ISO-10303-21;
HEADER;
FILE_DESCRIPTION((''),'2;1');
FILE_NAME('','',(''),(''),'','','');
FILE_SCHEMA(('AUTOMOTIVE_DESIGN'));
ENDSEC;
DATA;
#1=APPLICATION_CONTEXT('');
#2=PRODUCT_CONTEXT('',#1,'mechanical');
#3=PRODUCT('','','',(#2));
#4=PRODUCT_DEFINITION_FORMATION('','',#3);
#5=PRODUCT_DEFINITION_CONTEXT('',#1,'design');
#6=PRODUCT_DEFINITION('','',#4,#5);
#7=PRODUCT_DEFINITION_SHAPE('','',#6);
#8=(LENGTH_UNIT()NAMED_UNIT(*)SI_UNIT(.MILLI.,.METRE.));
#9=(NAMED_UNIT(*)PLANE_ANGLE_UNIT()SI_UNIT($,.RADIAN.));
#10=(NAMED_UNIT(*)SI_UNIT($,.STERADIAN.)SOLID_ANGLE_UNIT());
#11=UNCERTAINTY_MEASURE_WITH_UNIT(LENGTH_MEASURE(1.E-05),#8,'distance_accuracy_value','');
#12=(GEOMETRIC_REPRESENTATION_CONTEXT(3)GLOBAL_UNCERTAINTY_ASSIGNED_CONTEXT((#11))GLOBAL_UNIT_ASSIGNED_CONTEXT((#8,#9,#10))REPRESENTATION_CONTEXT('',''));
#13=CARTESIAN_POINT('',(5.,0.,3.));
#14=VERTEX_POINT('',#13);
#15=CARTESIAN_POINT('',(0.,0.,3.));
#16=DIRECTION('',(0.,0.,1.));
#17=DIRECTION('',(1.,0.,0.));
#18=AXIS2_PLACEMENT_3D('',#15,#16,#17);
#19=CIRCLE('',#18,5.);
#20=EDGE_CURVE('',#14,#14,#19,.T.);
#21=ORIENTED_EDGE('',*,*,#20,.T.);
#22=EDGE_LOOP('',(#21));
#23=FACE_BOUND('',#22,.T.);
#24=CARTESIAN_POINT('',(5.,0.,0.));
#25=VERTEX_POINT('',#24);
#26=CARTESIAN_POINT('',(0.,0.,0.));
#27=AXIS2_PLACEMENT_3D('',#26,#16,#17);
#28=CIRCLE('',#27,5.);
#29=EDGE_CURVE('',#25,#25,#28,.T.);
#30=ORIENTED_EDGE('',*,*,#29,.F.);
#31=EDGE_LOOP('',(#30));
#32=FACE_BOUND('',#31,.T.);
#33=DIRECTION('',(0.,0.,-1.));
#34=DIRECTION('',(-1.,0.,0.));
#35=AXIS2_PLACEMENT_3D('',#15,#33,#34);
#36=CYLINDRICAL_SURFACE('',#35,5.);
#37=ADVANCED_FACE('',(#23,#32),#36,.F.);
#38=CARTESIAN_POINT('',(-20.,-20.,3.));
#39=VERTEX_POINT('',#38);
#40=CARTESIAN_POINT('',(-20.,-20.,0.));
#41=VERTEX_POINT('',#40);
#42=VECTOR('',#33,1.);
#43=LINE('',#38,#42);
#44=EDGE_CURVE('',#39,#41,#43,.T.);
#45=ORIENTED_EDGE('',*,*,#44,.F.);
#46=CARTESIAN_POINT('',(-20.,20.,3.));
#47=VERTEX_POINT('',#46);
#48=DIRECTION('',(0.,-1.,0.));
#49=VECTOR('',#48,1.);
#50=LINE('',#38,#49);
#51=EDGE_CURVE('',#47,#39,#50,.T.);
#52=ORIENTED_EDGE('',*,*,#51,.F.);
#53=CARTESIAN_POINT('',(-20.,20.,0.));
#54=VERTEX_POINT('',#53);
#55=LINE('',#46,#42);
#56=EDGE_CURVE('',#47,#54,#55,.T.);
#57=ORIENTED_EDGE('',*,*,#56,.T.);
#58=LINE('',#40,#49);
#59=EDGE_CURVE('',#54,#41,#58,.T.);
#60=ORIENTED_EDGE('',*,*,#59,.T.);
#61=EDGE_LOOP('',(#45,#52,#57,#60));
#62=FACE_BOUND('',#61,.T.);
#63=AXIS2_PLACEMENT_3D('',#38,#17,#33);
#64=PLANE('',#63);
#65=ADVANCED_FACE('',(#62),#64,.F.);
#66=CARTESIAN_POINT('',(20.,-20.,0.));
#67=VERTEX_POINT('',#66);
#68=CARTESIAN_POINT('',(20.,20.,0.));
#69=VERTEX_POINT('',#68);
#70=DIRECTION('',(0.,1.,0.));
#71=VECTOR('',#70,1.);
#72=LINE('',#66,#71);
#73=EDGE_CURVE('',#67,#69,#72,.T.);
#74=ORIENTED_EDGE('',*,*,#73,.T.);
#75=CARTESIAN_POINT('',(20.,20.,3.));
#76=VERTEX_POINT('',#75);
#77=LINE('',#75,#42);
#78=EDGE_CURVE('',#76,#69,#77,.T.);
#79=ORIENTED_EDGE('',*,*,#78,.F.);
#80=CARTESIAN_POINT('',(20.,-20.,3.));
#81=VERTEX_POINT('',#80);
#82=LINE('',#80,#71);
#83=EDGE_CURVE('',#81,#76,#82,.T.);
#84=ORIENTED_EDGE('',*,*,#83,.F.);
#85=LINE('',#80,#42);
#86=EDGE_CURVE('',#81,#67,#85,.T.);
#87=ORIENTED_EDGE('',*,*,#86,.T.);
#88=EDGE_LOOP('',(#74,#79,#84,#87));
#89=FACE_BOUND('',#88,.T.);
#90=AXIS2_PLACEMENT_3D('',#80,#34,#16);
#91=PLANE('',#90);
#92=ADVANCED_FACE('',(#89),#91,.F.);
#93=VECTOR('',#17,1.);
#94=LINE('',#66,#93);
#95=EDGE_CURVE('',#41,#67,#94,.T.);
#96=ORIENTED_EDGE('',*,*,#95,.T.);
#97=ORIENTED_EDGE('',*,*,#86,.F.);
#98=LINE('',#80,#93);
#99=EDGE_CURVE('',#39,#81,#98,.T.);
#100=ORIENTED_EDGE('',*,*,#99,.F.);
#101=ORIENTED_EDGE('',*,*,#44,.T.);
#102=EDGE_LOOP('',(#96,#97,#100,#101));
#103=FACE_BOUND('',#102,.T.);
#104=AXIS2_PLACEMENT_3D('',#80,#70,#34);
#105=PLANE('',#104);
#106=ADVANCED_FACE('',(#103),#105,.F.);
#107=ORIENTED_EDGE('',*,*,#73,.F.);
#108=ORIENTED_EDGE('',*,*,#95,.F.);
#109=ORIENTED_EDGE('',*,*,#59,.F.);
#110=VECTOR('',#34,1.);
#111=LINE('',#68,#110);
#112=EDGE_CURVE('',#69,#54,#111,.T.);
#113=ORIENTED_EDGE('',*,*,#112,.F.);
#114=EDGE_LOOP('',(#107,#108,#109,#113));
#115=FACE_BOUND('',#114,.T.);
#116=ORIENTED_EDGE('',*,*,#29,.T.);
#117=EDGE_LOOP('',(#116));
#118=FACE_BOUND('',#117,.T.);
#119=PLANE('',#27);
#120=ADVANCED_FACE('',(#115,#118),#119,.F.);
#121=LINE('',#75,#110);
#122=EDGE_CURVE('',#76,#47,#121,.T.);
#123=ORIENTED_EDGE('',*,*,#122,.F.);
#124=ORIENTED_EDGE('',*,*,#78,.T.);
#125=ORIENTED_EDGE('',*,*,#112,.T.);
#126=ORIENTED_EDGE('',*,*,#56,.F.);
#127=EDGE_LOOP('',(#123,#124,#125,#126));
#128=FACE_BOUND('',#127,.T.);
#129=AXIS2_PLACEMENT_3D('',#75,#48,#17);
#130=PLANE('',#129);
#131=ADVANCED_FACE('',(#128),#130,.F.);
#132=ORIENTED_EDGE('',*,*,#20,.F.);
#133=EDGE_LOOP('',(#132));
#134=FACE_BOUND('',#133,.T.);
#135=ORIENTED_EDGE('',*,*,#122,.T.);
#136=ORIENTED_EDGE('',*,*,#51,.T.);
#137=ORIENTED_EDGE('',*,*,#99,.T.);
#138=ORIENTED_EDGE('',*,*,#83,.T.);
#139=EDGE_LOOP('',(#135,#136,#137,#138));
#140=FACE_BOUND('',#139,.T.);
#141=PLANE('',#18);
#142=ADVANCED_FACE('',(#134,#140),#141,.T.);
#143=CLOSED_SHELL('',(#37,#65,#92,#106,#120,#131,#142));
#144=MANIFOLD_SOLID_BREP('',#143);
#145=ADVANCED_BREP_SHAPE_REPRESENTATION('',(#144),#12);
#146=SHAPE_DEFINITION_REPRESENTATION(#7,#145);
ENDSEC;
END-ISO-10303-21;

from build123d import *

# Parameters (mm, degrees)
CROQUIS1_W              = 40
CROQUIS1_H              = 40
CROQUIS1_R              = 5
SALIENTE_EXTRUIR1_DEPTH = 3


with BuildPart() as part:
    # Croquis1 → Saliente-Extruir1 (new body)
    with BuildSketch(Plane.XY):
        Rectangle(CROQUIS1_W, CROQUIS1_H)
        Circle(CROQUIS1_R, mode=Mode.SUBTRACT)
    extrude(amount=SALIENTE_EXTRUIR1_DEPTH)


solid = part.part
